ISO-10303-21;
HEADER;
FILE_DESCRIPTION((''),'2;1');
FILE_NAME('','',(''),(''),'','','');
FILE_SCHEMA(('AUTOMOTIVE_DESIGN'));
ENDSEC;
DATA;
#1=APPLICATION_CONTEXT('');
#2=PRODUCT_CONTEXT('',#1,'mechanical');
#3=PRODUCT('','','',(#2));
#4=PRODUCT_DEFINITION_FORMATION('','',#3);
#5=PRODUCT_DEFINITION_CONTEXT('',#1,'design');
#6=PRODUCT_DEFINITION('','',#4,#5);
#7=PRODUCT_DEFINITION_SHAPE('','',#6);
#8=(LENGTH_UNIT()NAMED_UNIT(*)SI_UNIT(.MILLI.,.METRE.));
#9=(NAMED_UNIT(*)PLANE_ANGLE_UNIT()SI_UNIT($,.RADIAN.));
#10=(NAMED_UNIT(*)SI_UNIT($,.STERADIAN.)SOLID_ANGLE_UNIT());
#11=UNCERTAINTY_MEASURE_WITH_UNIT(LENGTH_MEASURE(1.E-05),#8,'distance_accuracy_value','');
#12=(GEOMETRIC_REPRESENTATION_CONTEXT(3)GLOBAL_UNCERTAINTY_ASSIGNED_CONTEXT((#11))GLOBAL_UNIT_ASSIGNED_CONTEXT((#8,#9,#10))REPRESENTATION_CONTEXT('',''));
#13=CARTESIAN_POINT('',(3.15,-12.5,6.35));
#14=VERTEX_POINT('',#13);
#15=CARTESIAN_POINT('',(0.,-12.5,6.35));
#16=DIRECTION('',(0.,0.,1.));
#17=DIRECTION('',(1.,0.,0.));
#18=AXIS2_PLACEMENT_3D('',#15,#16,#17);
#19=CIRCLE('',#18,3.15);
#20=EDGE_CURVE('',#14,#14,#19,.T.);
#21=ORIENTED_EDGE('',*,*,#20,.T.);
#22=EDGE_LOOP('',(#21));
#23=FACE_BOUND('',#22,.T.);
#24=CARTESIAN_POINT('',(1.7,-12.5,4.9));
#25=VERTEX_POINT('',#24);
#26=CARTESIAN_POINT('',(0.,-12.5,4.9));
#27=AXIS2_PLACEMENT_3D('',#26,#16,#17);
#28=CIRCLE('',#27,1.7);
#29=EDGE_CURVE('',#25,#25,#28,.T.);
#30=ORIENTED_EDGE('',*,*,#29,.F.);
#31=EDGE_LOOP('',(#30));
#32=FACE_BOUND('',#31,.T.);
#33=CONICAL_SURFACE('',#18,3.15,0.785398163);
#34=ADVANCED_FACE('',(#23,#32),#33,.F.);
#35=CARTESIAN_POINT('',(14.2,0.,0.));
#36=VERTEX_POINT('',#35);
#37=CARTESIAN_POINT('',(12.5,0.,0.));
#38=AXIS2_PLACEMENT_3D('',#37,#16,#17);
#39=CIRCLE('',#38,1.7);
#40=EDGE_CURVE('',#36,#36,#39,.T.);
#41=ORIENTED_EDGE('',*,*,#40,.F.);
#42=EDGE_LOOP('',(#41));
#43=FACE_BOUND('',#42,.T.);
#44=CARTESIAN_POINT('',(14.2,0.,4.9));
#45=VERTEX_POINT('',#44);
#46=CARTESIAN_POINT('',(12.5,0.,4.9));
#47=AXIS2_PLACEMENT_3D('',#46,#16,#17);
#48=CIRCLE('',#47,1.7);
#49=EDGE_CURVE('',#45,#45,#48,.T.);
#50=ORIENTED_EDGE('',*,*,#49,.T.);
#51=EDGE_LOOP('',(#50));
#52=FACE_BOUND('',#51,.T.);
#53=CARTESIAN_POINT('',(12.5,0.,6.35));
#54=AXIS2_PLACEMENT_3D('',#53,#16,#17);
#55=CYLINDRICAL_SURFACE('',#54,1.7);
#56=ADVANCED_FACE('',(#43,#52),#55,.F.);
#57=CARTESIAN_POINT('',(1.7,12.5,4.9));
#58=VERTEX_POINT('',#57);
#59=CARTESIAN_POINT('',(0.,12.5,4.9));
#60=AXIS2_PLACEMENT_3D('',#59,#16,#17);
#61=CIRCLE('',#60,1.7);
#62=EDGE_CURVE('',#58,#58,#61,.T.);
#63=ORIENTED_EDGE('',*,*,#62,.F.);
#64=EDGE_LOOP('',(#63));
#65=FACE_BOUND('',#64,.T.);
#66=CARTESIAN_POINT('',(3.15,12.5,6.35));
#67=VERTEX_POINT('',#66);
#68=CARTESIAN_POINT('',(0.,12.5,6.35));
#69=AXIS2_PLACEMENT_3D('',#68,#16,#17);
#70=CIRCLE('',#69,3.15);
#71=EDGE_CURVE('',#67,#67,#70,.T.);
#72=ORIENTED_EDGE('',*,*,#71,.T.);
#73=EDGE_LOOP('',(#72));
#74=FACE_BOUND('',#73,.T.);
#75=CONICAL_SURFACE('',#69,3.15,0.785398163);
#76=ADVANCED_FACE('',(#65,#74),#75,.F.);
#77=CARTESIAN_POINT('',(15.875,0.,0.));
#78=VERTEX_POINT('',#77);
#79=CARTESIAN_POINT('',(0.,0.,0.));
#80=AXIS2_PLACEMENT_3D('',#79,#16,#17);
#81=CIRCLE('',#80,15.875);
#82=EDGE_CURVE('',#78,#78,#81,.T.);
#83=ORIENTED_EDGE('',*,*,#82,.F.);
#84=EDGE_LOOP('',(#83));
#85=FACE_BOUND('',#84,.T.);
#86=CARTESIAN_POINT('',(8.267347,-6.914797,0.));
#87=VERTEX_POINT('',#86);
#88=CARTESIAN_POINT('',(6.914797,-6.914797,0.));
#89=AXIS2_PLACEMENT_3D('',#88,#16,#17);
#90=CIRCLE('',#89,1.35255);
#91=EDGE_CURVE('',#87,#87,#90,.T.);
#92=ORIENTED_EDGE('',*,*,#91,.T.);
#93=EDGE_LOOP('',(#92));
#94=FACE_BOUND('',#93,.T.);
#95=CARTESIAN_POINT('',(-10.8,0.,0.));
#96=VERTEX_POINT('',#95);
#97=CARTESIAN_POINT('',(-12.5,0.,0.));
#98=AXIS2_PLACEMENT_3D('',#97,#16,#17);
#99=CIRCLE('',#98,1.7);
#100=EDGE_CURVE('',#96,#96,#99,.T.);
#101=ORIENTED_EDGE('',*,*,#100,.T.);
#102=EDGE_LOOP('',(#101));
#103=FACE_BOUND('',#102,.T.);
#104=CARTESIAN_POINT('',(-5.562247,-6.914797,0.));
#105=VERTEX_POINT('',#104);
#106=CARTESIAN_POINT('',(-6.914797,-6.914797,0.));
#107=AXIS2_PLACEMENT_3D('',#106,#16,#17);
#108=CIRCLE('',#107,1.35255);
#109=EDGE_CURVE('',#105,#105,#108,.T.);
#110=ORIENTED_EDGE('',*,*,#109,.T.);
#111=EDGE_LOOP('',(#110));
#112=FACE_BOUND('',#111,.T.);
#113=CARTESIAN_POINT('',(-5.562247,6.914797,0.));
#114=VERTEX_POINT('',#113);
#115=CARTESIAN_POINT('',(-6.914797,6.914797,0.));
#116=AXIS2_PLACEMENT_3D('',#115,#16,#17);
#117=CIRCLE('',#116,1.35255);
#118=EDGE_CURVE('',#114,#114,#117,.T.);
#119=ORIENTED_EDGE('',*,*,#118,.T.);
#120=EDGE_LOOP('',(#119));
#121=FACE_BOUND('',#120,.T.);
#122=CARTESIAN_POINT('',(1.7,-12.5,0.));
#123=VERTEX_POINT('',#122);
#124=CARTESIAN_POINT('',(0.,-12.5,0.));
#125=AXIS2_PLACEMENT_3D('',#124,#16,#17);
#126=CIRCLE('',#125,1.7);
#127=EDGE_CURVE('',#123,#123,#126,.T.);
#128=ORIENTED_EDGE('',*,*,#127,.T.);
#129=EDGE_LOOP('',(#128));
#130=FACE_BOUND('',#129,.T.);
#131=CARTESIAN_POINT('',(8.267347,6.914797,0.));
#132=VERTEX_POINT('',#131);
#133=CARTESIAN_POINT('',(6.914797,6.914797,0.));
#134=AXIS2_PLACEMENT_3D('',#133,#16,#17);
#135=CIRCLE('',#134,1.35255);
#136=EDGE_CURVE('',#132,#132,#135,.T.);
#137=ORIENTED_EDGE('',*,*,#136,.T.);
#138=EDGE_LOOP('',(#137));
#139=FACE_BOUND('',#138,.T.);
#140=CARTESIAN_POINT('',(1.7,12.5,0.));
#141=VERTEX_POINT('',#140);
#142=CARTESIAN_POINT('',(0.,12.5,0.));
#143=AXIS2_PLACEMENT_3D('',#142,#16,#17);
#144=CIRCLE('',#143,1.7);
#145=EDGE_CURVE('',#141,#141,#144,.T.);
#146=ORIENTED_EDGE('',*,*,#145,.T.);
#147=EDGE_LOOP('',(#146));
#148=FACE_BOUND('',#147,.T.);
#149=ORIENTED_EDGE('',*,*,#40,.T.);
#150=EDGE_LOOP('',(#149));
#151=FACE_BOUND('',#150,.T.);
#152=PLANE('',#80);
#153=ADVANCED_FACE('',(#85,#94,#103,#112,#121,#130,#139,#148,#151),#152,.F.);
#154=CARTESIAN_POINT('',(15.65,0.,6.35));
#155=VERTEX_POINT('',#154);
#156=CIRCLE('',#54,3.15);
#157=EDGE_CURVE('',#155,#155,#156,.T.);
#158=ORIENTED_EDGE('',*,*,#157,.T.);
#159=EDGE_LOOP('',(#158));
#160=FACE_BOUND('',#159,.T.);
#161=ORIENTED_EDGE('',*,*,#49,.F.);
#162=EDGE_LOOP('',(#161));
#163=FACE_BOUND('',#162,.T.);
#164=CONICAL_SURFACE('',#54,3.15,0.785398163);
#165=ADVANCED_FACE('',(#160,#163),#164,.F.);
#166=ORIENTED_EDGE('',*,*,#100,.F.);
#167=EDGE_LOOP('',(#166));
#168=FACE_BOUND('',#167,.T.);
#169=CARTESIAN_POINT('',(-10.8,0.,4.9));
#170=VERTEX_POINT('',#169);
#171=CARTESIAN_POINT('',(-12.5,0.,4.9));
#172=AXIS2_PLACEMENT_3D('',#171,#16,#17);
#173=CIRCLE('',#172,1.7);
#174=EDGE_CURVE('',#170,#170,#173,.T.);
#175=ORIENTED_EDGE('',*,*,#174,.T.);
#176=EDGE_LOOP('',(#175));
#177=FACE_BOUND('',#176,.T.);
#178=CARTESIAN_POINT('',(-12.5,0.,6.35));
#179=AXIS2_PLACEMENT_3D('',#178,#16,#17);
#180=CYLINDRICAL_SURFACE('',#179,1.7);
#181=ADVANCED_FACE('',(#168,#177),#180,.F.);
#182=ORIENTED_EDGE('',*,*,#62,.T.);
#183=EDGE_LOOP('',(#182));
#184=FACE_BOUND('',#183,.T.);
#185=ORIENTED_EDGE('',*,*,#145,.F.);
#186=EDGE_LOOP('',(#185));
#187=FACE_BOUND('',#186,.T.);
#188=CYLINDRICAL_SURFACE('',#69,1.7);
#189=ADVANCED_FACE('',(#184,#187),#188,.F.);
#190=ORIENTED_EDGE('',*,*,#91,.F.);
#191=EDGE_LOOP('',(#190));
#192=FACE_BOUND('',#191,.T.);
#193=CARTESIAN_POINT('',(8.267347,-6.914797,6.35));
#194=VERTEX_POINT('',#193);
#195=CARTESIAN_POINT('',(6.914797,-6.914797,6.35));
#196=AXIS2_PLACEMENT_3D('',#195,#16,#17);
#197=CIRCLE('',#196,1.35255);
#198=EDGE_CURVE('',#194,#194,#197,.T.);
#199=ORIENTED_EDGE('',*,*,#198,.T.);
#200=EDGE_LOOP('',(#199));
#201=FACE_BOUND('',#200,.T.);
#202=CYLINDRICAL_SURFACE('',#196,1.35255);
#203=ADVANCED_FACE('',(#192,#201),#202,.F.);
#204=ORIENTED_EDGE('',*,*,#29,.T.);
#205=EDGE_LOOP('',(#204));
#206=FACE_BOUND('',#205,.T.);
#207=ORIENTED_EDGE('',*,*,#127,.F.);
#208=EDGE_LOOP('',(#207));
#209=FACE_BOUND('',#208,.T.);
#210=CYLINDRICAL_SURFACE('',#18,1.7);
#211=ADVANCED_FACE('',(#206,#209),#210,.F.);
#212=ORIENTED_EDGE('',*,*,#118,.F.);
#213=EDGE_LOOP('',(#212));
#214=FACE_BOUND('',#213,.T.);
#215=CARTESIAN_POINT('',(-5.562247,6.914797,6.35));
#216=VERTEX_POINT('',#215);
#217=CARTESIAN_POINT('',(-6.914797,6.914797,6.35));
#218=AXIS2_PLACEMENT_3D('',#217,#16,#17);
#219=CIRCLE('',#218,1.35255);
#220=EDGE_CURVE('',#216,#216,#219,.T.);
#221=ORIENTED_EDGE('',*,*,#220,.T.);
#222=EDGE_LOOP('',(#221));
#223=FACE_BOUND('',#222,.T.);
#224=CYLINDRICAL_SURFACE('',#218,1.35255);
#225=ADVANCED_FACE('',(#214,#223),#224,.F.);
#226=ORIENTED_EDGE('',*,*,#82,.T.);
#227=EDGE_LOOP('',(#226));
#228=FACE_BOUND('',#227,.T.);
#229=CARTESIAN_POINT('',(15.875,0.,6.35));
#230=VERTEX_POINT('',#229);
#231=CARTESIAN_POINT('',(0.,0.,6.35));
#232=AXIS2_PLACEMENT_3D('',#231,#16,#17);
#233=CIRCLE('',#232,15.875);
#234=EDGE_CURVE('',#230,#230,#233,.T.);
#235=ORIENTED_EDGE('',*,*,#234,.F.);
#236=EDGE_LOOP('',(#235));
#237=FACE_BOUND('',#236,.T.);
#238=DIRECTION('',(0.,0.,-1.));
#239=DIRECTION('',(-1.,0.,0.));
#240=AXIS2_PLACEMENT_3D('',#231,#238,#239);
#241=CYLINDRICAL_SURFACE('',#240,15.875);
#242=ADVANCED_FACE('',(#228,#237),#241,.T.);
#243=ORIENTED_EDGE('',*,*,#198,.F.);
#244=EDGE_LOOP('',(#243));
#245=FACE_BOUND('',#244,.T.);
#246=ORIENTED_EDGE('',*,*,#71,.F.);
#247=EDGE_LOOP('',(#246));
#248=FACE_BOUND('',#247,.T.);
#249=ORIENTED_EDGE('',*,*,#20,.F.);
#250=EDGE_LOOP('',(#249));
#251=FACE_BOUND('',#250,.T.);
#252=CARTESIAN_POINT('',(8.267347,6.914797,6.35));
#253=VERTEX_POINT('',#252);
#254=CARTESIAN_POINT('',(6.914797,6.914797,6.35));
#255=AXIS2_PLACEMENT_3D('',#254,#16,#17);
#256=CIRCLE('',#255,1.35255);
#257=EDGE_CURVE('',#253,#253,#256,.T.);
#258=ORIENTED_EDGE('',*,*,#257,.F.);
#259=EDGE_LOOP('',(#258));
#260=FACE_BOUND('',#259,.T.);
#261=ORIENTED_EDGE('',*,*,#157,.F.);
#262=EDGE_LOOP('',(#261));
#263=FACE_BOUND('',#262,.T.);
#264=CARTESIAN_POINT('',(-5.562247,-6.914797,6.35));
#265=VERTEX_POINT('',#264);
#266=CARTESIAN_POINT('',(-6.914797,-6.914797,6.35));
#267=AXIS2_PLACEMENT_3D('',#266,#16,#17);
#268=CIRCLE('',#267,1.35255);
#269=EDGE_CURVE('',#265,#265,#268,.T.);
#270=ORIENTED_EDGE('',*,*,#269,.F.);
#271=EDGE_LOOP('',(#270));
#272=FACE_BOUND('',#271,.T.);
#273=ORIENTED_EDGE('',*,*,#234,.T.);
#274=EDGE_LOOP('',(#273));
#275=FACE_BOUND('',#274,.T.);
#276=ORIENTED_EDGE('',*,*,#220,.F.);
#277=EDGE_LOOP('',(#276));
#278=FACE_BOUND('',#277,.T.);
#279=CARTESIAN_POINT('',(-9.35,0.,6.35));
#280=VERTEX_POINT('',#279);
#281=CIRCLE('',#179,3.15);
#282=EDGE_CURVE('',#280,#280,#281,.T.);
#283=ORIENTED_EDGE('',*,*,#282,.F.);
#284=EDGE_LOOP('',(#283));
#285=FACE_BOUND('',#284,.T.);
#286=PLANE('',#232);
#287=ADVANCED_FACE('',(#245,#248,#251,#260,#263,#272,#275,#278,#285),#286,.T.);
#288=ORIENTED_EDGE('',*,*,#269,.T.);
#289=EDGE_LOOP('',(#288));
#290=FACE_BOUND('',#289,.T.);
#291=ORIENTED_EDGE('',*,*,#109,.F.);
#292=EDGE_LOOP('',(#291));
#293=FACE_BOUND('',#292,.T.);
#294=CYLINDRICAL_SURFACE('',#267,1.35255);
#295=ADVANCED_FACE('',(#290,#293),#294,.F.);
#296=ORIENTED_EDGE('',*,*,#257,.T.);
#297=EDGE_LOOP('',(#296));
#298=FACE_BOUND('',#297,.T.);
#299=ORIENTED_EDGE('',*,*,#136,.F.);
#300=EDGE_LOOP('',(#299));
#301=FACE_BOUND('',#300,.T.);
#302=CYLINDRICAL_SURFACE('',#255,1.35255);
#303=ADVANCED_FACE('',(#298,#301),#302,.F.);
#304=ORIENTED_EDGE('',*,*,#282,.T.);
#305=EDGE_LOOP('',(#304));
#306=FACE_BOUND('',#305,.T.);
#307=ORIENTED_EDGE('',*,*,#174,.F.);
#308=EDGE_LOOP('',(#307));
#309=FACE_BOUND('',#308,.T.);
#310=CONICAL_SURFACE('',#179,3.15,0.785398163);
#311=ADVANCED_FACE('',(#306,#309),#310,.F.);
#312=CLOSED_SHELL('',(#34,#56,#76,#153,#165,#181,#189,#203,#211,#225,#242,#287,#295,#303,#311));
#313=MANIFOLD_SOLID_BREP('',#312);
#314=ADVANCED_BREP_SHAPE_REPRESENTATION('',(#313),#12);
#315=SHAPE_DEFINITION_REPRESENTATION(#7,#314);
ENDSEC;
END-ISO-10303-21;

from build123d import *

# Parameters (mm, degrees)
SKETCH1_R                                       = 15.875
BOSS_EXTRUDE1_DEPTH                             = 6.35
CSK_FOR_M3_FLAT_HEAD_MACHINE_SCREW1_D           = 3.4
CSK_FOR_M3_FLAT_HEAD_MACHINE_SCREW1_CSINK_D     = 6.3
CSK_FOR_M3_FLAT_HEAD_MACHINE_SCREW1_CSINK_ANGLE = 90
F_6_32_TAPPED_HOLE1_D                           = 2.7051


with BuildPart() as part:
    # Sketch1 → Boss-Extrude1 (new body)
    with BuildSketch(Plane.XY):
        Circle(SKETCH1_R)
    extrude(amount=BOSS_EXTRUDE1_DEPTH)

    # CSK for M3 Flat Head Machine Screw1 (through all)
    with Locations(Plane.XY.offset(6.35)):
        with Locations((0, 12.5), (0, -12.5), (12.5, 0), (-12.5, 0)):
            CounterSinkHole(CSK_FOR_M3_FLAT_HEAD_MACHINE_SCREW1_D / 2, CSK_FOR_M3_FLAT_HEAD_MACHINE_SCREW1_CSINK_D / 2, counter_sink_angle=CSK_FOR_M3_FLAT_HEAD_MACHINE_SCREW1_CSINK_ANGLE)

    # #6-32 Tapped Hole1 (through all)
    with Locations(Plane.XY.offset(6.35)):
        with Locations((6.914797213, 6.914797213), (6.914797213, -6.914797213), (-6.914797213, -6.914797213), (-6.914797213, 6.914797213)):
            Hole(F_6_32_TAPPED_HOLE1_D / 2)


solid = part.part
